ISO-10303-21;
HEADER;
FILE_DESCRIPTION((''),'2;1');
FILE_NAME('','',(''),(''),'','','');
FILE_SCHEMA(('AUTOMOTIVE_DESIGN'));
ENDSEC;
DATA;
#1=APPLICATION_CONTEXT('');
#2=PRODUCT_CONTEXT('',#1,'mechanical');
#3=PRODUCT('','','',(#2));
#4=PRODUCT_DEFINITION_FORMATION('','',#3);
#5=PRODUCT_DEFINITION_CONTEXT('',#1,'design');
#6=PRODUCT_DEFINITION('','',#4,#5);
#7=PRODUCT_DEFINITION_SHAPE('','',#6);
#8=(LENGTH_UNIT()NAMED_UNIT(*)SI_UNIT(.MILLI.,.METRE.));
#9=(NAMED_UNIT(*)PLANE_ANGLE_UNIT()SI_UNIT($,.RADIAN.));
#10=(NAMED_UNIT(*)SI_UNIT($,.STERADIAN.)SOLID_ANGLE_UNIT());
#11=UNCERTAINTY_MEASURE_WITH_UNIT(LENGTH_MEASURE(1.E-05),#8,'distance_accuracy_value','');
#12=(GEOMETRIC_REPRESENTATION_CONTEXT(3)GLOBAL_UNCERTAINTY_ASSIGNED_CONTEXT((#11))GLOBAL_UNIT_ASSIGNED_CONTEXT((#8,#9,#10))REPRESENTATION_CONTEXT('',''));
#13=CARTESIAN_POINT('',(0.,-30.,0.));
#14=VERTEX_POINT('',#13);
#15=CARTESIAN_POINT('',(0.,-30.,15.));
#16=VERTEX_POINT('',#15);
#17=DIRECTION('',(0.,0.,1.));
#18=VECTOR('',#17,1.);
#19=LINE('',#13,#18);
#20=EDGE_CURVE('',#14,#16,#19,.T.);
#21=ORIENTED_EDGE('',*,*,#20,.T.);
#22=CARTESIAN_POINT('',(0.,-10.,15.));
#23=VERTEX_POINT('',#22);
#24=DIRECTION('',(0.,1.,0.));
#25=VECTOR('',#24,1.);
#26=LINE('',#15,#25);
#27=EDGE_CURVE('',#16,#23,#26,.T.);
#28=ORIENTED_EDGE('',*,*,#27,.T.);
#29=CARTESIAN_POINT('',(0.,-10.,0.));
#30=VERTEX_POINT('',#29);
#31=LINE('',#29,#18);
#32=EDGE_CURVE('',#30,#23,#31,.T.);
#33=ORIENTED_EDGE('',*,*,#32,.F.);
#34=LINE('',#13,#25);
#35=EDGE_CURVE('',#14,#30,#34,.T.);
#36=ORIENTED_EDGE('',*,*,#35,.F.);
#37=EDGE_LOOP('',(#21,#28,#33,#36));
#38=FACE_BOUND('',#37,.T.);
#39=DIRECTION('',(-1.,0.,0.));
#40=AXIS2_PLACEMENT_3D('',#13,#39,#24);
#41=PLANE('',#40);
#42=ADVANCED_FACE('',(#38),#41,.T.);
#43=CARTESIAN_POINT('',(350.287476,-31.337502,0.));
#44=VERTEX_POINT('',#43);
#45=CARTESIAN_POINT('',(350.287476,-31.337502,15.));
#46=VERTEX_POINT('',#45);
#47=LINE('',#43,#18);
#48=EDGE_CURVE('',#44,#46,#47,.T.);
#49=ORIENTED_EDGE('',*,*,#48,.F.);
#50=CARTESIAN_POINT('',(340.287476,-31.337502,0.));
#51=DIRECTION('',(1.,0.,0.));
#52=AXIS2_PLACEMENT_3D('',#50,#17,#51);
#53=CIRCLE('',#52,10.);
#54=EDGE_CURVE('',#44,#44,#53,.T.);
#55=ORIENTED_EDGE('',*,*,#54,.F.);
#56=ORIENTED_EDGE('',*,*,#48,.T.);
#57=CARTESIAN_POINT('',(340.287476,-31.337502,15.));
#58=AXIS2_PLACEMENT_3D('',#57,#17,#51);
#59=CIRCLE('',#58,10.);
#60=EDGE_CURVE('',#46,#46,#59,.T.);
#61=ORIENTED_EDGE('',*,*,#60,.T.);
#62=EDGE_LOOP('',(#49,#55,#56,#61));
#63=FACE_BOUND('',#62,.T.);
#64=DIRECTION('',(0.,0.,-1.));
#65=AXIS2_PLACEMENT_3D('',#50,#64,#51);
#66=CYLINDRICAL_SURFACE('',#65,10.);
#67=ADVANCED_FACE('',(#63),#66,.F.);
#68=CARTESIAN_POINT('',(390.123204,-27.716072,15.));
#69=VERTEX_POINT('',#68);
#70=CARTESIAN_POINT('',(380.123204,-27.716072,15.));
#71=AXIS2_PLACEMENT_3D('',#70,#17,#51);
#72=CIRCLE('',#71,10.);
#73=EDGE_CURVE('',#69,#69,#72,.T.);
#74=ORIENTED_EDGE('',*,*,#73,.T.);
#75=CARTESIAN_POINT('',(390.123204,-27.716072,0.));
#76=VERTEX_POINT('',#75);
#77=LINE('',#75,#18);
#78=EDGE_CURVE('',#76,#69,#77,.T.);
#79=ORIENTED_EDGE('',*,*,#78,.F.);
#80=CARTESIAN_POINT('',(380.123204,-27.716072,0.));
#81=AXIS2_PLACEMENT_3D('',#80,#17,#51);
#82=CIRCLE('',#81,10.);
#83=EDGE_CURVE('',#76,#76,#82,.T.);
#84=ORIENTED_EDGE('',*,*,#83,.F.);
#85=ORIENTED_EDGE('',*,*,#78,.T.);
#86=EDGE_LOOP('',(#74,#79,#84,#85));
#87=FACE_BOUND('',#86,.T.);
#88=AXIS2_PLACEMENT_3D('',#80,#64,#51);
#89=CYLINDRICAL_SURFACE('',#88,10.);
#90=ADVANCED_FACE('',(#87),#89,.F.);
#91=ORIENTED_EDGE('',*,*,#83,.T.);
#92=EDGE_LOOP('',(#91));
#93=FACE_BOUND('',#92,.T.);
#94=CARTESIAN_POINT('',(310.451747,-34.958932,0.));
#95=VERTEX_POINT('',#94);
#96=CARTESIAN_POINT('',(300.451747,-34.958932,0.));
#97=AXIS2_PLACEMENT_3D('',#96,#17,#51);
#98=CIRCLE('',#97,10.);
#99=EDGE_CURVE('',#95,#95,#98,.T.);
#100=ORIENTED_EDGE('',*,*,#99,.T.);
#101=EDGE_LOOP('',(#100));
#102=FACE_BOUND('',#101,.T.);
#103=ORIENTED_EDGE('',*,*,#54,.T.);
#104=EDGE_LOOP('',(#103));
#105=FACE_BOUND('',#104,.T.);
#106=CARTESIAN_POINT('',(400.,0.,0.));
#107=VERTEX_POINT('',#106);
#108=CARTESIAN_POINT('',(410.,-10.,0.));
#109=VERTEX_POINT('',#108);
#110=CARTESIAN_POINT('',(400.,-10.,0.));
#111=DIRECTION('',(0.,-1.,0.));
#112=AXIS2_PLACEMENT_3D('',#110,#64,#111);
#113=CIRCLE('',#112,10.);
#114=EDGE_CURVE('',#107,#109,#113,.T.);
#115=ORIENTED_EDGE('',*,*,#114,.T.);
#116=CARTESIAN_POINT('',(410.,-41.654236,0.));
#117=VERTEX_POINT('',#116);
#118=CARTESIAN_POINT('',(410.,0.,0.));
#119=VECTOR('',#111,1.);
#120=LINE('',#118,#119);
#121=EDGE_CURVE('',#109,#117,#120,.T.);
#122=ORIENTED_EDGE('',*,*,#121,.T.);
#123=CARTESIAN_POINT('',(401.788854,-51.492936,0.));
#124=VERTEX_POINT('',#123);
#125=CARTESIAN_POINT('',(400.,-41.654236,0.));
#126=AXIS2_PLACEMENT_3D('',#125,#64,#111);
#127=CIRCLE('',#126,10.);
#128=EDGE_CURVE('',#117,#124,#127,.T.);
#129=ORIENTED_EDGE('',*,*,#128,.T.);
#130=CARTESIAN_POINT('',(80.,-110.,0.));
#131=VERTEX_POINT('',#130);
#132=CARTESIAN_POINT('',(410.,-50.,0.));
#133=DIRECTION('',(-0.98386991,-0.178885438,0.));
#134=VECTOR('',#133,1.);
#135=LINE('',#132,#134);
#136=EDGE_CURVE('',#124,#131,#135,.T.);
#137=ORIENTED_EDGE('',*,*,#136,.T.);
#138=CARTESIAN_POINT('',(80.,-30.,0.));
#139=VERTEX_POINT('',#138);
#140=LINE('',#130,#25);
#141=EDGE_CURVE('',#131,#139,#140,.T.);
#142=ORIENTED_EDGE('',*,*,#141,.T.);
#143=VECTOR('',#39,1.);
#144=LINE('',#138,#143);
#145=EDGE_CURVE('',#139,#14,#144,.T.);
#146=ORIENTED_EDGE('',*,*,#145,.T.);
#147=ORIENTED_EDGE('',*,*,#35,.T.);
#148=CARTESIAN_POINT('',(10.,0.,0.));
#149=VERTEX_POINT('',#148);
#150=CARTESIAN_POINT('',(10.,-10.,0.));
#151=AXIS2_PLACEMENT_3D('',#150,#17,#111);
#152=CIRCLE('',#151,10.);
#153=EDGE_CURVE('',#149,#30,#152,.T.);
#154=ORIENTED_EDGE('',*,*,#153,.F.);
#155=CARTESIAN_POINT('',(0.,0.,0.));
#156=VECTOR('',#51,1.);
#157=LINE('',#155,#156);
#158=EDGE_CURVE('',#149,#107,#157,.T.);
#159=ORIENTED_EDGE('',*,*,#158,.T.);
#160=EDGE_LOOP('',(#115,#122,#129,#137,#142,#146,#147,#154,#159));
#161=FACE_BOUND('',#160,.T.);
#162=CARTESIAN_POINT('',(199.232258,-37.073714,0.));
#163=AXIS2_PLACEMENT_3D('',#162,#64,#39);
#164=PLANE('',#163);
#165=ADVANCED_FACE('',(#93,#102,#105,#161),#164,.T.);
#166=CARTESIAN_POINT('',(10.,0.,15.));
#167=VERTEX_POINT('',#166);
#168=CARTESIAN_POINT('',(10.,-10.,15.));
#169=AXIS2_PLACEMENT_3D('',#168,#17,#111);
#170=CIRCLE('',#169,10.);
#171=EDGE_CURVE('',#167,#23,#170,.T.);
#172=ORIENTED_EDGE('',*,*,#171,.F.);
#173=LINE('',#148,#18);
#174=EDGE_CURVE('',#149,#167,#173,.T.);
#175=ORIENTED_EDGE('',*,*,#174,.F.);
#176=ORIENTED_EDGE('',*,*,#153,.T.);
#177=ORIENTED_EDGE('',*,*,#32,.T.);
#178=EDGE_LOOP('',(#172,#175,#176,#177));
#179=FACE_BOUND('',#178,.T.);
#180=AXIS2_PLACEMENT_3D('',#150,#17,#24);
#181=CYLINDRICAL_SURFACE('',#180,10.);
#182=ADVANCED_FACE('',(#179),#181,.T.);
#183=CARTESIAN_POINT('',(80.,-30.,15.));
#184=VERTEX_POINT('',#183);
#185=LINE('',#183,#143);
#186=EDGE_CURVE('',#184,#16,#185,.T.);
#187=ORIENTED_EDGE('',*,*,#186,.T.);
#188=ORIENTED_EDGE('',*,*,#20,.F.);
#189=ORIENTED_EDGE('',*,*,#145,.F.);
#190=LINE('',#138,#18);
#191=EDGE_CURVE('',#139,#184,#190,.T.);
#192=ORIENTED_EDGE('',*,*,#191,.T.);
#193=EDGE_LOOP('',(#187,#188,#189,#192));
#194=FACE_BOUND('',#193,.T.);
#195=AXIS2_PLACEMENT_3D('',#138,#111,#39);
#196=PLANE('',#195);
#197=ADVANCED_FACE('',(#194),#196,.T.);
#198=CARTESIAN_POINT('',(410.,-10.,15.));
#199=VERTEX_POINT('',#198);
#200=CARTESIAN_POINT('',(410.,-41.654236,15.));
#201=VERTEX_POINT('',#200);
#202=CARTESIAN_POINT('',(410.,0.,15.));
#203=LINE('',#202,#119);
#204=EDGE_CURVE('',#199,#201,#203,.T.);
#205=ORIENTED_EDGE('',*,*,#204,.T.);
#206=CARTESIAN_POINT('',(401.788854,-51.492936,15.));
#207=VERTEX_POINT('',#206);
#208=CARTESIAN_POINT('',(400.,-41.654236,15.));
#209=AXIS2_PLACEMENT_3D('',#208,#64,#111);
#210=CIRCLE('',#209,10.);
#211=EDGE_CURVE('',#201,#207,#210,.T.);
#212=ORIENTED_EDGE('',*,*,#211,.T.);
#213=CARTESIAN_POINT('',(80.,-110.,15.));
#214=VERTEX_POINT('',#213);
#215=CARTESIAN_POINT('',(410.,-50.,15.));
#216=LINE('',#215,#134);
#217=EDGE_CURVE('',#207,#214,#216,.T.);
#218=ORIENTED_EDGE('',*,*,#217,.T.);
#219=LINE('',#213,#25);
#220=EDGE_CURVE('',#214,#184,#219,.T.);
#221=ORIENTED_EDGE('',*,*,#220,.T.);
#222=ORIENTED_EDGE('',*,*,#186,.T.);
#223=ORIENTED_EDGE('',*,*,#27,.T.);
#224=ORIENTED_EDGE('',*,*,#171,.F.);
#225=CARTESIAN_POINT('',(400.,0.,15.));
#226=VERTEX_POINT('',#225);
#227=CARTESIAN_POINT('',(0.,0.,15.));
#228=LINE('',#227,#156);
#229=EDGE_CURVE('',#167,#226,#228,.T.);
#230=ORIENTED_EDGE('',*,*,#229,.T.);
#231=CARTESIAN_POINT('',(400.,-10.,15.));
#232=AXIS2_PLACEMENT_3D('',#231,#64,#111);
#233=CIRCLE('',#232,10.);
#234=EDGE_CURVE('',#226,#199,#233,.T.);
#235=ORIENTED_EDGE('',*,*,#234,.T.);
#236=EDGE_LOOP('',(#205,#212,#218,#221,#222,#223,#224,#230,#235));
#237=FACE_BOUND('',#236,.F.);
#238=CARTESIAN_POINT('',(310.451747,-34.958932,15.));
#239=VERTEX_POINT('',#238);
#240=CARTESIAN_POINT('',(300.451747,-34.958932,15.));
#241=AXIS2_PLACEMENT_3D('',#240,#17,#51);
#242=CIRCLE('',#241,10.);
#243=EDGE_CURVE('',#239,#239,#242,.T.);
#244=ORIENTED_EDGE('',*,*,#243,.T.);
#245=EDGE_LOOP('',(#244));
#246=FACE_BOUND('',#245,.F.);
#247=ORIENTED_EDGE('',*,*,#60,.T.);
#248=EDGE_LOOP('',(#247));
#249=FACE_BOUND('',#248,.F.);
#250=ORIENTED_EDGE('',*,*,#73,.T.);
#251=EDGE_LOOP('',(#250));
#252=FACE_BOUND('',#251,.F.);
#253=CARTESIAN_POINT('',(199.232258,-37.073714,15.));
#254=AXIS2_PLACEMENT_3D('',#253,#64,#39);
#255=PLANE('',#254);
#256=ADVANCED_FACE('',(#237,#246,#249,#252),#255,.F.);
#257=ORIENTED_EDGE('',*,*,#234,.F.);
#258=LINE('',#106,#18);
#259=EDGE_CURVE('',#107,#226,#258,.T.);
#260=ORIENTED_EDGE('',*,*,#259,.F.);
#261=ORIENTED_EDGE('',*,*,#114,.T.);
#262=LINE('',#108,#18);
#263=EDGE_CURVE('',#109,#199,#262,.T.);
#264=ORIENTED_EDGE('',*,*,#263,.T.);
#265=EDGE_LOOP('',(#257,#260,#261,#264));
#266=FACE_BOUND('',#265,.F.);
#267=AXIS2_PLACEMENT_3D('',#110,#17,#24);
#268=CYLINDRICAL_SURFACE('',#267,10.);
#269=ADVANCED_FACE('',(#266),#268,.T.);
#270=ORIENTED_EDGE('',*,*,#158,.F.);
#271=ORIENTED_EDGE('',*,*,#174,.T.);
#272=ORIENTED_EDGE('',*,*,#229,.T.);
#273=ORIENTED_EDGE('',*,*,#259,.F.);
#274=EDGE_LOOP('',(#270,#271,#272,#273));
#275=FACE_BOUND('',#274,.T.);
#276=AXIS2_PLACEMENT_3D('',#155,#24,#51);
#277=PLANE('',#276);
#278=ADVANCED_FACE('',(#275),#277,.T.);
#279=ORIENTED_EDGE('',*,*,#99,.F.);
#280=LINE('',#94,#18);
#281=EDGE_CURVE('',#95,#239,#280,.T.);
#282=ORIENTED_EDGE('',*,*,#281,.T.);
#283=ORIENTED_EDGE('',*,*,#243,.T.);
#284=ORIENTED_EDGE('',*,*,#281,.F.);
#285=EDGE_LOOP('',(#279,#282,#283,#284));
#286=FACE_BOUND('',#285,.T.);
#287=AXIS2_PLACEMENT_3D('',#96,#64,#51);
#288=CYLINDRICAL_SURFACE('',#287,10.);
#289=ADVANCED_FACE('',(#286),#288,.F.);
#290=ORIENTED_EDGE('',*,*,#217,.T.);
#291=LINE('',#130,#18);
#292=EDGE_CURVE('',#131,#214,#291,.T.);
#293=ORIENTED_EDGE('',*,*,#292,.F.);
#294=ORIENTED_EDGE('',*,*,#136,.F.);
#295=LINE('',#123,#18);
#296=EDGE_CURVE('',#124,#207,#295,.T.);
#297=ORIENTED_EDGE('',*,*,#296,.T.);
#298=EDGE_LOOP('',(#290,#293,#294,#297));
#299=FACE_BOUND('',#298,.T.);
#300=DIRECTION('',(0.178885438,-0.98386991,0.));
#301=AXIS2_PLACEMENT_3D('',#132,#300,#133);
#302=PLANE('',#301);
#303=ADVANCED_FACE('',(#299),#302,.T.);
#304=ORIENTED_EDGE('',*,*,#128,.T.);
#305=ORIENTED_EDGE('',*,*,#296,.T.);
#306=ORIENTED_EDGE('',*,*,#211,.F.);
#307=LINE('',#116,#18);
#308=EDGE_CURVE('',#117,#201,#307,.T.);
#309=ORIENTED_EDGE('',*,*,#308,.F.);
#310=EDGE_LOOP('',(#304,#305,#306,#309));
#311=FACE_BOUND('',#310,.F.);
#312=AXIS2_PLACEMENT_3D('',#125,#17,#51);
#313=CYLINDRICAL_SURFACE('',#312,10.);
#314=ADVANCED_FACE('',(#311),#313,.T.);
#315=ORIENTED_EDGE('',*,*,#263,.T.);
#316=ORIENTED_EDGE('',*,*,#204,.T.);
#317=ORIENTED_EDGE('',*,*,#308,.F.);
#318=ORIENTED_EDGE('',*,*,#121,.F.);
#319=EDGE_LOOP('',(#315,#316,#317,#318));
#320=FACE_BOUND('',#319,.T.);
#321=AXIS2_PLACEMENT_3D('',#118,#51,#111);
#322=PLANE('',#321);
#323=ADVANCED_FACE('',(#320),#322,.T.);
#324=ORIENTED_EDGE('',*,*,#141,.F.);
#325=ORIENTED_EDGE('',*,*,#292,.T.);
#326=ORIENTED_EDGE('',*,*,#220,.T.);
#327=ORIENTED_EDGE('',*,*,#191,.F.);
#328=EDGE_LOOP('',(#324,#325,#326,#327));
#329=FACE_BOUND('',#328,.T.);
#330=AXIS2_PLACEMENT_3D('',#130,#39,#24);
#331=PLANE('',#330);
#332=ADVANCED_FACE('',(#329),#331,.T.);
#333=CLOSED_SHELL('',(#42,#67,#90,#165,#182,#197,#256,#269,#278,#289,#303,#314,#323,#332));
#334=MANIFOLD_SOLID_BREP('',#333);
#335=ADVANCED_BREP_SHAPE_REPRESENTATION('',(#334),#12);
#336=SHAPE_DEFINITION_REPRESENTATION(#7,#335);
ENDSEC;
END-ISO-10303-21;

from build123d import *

# Parameters (mm, degrees)
ESQUISSE1_R        = 10
BOSS_EXTRU_1_DEPTH = 15
CONG_1_R           = 10


with BuildPart() as part:
    # Esquisse1 → Boss.-Extru.1 (new body)
    with BuildSketch(Plane.XY):
        Polygon((0, 0), (410, 0), (410, -50), (80, -110), (80, -30), (0, -30), align=None)
        with Locations((300.451747289, -34.958932065)):
            Circle(ESQUISSE1_R, mode=Mode.SUBTRACT)
        with Locations((340.287475547, -31.337502223)):
            Circle(ESQUISSE1_R, mode=Mode.SUBTRACT)
        with Locations((380.123203806, -27.716072381)):
            Circle(ESQUISSE1_R, mode=Mode.SUBTRACT)
    extrude(amount=BOSS_EXTRU_1_DEPTH)

    # Congé1
    cong_1_edges = [part.edges().sort_by_distance(p)[0] for p in [
        (0, 0, 7.5),
        (410, 0, 7.5),
        (410, -50, 7.5),
    ]]
    fillet(cong_1_edges, radius=CONG_1_R)


solid = part.part
